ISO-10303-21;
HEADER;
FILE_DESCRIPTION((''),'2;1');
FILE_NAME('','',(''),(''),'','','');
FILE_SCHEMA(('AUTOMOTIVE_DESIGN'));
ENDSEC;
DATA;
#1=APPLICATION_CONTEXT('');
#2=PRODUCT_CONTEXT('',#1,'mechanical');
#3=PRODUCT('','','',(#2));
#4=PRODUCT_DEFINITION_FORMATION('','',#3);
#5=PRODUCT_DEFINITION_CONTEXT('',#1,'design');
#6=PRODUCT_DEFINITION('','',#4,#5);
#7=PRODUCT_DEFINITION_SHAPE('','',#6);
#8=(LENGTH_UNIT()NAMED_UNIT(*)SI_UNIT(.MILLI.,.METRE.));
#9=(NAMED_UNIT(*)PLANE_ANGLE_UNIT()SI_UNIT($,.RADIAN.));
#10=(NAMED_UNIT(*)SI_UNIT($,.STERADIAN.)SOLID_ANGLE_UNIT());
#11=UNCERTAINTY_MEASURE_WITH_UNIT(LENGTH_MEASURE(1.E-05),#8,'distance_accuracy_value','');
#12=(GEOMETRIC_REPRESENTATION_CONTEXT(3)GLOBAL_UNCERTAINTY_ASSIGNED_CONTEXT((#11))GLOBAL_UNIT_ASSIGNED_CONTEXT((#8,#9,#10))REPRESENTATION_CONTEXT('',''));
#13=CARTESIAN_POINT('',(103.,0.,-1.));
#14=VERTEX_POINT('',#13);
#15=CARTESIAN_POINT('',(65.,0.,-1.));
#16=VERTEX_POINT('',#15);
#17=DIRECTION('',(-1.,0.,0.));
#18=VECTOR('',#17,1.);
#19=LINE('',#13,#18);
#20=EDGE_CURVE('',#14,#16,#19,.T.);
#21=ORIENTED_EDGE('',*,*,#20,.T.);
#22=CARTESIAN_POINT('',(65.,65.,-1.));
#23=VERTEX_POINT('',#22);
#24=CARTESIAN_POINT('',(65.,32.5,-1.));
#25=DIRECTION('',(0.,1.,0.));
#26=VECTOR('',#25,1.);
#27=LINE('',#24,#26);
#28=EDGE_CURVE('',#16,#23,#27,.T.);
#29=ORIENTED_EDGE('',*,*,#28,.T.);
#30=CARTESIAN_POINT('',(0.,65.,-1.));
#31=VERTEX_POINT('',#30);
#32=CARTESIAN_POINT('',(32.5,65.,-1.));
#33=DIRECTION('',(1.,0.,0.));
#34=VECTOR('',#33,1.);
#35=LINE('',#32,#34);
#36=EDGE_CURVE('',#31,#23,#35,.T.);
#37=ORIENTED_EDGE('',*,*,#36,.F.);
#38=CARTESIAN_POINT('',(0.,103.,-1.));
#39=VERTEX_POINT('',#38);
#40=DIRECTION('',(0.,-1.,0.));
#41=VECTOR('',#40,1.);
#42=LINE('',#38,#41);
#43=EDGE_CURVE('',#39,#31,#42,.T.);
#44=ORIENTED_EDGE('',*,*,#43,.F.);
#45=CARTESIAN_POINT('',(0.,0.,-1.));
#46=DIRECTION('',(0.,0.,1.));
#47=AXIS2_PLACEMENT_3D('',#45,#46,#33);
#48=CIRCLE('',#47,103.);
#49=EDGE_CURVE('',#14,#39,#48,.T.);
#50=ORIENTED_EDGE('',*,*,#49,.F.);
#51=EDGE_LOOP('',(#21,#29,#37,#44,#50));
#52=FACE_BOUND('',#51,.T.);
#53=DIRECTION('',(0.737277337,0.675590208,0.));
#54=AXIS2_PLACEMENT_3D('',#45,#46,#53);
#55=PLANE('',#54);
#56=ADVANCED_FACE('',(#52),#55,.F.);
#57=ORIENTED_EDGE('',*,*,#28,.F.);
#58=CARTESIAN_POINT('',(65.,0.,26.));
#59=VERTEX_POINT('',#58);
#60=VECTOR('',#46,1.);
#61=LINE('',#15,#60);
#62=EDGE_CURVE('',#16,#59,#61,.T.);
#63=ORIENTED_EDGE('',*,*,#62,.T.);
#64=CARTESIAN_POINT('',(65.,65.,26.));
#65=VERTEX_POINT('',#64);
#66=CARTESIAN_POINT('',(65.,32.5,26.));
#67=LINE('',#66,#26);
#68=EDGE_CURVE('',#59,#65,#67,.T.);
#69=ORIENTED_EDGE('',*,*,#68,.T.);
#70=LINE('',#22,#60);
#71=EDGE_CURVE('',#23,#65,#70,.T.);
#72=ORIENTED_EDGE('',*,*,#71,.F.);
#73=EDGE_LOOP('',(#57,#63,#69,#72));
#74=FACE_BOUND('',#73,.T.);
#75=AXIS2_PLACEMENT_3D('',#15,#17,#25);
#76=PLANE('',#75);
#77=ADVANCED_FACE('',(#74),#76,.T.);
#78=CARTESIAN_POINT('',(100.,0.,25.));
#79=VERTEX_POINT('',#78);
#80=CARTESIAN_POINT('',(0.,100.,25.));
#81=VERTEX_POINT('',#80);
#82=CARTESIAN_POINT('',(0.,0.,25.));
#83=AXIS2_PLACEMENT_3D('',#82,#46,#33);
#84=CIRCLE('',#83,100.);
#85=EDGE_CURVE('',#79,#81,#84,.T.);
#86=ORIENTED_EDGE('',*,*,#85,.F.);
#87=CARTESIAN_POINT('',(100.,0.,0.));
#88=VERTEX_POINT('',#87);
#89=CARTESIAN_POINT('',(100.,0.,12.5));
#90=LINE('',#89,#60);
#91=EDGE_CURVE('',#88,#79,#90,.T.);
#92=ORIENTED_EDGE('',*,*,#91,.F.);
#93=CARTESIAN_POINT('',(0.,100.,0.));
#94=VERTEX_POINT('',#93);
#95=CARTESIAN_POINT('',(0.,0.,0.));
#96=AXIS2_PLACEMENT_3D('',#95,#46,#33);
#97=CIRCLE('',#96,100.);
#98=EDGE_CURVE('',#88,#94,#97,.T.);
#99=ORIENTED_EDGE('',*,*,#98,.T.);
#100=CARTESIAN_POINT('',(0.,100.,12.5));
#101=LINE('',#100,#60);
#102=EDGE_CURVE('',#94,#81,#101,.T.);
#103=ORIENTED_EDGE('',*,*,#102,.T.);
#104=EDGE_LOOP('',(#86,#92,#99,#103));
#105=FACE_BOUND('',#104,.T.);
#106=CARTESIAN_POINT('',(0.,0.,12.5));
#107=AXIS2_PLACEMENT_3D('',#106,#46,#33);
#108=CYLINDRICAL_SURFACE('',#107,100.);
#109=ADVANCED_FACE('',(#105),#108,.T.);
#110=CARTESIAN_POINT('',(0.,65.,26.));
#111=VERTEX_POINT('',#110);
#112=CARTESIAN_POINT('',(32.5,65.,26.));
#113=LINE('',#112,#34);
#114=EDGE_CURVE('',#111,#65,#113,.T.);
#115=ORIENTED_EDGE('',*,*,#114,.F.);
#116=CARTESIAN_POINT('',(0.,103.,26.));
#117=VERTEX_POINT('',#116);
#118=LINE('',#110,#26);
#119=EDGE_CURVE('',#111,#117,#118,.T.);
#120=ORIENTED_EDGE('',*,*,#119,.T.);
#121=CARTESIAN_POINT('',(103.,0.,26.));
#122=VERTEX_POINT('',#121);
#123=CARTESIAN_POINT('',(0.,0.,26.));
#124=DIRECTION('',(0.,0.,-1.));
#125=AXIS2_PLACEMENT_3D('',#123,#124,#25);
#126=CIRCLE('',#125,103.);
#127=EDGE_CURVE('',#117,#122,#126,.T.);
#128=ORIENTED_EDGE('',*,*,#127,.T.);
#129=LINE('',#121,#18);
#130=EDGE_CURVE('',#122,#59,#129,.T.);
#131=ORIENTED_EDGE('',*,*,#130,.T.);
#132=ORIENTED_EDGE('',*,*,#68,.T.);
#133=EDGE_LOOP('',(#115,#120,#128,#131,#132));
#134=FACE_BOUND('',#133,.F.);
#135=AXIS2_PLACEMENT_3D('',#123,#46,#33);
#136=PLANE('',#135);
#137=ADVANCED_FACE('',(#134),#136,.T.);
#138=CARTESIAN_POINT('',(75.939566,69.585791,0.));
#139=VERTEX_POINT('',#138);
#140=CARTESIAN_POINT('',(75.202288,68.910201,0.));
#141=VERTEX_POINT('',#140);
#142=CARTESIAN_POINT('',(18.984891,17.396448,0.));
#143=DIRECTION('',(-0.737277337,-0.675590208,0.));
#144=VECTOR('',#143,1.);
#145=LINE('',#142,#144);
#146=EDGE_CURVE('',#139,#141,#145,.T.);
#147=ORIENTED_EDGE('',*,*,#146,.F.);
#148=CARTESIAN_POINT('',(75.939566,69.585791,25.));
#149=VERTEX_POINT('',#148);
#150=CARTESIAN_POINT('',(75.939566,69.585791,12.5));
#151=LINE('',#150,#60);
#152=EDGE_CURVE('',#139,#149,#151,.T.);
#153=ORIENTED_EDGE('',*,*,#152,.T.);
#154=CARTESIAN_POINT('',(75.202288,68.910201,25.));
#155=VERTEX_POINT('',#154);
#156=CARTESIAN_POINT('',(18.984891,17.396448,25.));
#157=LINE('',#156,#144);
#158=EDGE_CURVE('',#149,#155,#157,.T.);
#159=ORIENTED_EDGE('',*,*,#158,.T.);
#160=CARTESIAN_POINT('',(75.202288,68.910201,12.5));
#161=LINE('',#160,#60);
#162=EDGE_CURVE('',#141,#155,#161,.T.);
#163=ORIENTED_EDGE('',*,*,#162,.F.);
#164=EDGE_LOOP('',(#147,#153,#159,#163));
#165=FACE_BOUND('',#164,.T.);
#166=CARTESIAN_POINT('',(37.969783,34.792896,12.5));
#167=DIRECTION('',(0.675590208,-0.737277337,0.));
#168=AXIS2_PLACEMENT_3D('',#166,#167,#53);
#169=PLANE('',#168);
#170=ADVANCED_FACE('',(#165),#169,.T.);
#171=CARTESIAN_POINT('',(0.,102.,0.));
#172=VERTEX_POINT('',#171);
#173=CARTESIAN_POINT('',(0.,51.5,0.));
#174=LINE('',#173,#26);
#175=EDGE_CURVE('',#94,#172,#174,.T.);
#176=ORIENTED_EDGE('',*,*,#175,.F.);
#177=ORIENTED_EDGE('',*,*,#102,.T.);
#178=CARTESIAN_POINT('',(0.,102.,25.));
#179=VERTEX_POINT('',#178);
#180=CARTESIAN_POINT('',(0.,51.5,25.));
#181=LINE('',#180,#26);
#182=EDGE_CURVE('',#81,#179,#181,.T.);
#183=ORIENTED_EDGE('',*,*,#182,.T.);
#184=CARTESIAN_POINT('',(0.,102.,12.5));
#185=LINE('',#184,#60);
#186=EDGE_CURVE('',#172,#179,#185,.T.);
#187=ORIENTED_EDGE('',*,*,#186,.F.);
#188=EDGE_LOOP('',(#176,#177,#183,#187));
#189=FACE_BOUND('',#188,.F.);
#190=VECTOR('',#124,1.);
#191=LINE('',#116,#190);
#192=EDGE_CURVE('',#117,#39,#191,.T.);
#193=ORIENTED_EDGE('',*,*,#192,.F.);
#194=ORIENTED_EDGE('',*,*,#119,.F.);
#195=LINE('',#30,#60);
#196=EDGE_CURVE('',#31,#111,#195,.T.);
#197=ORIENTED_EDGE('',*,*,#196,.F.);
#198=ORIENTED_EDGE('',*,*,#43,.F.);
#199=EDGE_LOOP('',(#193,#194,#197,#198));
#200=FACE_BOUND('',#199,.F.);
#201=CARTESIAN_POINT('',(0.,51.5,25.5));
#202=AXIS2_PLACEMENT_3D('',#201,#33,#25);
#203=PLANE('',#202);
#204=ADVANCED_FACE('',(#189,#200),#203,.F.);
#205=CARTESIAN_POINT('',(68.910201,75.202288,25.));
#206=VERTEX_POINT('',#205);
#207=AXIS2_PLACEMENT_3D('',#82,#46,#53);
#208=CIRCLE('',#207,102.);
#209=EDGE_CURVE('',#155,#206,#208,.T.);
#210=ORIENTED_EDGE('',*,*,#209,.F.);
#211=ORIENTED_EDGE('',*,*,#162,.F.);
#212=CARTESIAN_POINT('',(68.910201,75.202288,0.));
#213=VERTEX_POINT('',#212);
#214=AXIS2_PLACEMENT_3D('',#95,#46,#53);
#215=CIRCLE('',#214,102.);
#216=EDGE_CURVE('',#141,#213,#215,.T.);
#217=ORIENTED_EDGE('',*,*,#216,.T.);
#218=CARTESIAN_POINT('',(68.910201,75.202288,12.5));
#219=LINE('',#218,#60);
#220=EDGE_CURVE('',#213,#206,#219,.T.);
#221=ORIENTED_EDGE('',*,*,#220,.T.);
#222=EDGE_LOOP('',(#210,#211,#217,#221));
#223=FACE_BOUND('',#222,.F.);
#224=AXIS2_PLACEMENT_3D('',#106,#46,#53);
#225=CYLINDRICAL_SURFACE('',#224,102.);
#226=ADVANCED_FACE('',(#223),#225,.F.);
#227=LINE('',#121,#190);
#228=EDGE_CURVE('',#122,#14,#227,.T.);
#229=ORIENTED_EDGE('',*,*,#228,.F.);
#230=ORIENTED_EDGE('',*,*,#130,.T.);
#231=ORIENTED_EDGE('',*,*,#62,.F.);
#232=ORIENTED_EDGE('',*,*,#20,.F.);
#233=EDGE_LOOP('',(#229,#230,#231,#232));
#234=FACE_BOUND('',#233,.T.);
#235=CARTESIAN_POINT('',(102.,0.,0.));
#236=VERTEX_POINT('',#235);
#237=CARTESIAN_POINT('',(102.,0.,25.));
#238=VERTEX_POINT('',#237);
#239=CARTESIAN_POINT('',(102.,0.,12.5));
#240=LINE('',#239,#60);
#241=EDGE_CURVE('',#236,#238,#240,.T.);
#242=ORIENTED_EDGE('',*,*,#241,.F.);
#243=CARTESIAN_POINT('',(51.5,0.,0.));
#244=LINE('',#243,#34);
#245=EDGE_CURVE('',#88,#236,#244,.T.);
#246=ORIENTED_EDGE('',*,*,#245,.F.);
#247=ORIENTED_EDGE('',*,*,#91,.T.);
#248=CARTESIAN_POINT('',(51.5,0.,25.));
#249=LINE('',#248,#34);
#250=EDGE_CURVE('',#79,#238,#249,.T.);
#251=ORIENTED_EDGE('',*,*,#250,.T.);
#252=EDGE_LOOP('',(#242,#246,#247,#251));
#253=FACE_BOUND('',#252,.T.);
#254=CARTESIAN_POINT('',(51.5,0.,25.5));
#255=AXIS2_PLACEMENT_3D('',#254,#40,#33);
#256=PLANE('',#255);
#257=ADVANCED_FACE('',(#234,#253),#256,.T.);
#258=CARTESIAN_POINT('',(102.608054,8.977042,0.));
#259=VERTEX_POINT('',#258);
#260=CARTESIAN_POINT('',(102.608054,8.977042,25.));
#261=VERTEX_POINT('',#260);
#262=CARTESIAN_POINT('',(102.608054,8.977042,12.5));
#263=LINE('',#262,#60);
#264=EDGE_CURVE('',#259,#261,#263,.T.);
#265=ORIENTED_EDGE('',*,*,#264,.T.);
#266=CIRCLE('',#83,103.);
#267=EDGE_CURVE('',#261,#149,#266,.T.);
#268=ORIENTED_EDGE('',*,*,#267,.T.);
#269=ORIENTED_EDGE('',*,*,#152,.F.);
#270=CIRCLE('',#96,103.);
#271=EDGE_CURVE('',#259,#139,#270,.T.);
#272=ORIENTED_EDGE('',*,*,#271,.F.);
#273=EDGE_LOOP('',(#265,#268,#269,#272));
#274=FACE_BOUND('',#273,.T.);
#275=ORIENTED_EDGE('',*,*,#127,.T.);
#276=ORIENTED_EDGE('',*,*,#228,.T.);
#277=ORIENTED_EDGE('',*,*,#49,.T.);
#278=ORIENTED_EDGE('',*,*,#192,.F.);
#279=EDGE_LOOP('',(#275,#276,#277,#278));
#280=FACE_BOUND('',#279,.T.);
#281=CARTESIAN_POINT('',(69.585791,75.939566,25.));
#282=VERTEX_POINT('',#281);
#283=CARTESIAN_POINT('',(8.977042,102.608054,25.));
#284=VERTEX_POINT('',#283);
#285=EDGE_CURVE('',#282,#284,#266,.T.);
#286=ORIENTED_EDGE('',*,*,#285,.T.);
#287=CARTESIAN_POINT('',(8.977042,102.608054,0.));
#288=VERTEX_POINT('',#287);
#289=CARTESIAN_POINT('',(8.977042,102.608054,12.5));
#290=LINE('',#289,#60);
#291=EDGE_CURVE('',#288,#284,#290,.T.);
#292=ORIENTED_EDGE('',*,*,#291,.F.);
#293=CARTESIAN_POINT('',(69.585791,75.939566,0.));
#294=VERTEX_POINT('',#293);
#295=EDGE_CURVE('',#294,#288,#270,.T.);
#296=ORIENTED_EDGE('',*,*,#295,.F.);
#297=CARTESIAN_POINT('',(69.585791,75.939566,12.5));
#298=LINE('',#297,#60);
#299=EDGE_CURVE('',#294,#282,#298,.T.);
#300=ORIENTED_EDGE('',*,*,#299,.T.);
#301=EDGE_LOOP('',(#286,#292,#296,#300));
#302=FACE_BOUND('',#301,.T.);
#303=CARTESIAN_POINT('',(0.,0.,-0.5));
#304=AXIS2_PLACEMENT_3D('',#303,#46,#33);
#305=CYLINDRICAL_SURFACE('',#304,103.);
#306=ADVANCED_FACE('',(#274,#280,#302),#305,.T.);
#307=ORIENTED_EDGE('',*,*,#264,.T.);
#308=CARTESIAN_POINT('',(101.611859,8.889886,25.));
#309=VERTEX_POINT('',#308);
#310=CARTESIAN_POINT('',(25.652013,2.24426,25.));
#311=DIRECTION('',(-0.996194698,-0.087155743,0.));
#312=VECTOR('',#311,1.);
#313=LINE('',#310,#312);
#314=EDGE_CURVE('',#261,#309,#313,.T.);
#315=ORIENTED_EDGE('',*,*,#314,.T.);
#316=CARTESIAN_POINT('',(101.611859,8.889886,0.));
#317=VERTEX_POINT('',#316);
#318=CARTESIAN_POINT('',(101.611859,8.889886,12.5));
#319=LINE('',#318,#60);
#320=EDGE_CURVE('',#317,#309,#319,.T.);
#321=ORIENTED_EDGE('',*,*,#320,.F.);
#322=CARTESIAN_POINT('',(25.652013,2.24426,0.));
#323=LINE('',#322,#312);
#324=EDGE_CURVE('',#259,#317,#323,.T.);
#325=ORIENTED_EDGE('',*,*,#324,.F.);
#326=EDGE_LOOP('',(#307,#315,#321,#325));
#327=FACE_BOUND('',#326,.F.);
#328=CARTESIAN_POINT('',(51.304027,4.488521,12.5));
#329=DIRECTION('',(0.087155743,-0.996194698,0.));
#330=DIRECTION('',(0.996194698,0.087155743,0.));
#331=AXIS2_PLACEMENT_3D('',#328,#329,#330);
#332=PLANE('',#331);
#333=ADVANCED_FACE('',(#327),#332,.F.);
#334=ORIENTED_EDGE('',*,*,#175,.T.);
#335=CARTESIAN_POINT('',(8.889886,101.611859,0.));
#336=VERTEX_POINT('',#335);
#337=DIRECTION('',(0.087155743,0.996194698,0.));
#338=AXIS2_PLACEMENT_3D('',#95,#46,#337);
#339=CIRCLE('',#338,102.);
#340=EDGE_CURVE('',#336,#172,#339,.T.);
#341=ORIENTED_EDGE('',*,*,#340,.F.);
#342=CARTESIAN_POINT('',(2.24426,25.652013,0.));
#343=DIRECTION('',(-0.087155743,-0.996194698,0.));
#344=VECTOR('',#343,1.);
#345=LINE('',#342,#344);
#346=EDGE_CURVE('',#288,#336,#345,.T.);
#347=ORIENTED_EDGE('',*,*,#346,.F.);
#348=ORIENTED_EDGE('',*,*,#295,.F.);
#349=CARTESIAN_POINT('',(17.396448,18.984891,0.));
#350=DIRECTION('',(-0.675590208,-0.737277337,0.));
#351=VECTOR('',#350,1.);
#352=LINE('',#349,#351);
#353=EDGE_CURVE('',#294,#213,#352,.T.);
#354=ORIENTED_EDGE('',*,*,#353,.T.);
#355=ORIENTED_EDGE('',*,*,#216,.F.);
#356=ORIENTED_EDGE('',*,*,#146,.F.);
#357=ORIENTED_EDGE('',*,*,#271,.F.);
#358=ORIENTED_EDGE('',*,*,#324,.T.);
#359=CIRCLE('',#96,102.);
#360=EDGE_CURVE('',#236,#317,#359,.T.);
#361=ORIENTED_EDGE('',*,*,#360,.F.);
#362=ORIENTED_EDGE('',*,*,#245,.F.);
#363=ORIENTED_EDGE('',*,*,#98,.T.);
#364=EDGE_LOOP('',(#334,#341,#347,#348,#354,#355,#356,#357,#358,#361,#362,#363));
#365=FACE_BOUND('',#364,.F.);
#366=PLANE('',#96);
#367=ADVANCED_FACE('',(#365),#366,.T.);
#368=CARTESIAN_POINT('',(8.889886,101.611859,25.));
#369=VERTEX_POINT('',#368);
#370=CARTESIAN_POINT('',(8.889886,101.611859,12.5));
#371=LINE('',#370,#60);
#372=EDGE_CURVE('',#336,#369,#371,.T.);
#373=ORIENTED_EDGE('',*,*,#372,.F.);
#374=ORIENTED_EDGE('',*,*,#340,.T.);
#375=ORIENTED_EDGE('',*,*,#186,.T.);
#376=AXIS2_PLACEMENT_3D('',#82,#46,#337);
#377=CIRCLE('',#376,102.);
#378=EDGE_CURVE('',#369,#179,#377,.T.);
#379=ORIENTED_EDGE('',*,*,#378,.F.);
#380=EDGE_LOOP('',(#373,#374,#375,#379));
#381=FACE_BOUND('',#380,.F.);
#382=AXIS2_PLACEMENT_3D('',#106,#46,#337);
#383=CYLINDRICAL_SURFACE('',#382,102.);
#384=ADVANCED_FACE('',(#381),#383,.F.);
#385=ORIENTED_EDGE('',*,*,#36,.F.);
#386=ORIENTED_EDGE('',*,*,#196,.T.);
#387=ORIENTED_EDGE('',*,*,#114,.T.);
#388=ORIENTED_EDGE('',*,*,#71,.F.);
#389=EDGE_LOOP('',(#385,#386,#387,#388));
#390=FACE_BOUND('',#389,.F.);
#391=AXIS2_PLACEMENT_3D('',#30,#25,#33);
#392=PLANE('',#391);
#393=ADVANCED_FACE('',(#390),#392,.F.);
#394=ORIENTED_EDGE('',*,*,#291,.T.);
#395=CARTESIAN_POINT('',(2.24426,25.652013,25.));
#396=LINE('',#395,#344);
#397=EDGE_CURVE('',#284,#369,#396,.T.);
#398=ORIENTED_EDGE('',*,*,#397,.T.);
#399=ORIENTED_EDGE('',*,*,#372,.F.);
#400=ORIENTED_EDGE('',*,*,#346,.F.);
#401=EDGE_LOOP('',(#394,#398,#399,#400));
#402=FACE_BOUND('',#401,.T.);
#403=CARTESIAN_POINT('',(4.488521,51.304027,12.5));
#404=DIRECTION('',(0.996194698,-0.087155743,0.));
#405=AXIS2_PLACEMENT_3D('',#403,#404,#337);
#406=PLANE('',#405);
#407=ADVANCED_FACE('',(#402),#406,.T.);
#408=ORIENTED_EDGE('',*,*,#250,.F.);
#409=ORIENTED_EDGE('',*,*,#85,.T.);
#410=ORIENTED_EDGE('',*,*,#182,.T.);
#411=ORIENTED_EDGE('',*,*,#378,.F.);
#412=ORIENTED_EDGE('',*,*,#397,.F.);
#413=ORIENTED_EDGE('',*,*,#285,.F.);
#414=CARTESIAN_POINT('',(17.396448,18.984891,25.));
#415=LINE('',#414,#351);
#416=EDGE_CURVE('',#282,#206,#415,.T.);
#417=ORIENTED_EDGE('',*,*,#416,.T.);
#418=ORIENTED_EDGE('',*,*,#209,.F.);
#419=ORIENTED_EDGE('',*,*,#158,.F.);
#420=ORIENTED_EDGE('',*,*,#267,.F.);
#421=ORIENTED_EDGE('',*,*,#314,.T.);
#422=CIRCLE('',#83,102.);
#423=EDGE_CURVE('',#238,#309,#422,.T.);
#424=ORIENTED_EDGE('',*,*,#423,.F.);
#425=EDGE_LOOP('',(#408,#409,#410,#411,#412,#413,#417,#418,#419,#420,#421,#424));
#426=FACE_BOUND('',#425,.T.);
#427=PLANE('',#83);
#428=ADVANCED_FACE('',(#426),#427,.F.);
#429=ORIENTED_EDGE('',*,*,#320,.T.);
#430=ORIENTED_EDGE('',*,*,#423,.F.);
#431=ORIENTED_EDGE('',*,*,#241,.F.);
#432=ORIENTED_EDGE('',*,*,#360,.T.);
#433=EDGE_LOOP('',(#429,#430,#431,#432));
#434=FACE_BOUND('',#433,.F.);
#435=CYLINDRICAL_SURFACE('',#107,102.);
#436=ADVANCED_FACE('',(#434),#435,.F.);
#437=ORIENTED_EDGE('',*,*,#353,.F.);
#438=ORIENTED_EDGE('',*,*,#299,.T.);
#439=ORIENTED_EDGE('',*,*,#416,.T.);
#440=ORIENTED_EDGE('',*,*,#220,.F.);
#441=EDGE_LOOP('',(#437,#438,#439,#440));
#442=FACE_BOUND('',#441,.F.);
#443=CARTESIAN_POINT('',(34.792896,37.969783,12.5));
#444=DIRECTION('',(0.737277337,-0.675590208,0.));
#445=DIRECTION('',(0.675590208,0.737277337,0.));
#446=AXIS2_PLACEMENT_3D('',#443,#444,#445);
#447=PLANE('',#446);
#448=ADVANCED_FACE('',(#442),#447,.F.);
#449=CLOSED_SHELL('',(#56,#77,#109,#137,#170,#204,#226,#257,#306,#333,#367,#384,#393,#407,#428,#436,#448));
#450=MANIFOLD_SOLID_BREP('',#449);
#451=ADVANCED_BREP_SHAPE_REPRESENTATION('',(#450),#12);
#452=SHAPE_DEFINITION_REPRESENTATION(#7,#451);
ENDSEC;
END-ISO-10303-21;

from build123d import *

# Parameters (mm, degrees)
CYLINDER008_W          = 102
CYLINDER008_H          = 27
CYLINDER008_ANGLE      = 5
CYLINDER007_W          = 103
CYLINDER007_H          = 27
CYLINDER007_ANGLE      = 5
CUT003_PLACEMENT_ANGLE = 85
CYLINDER004_W          = 102
CYLINDER004_H          = 27
CYLINDER004_ANGLE      = 5
CYLINDER003_W          = 103
CYLINDER003_H          = 27
CYLINDER003_ANGLE      = 5
CYLINDER005_W          = 102
CYLINDER005_H          = 27
CYLINDER005_ANGLE      = 5
CYLINDER006_W          = 103
CYLINDER006_H          = 27
CYLINDER006_ANGLE      = 5
CUT002_PLACEMENT_ANGLE = 42.5
BOX_W                  = 65
BOX_H                  = 65
BOX_DEPTH              = 27
CYLINDER001_W          = 103
CYLINDER001_H          = 1
CYLINDER001_ANGLE      = 90
CYLINDER002_W          = 103
CYLINDER002_H          = 1
CYLINDER002_ANGLE      = 90
CYLINDER_W             = 100
CYLINDER_H             = 25
CYLINDER_ANGLE         = 90


with BuildPart() as zylinder008:
    # Cylinder008 → Cylinder008 (revolve)
    with BuildSketch(Plane(origin=(0, 0, -1), x_dir=(1, 0, 0), z_dir=(0, -1, 0))):
        with Locations((51, 13.5)):
            Rectangle(CYLINDER008_W, CYLINDER008_H)
    revolve(axis=Axis((0, 0, -1), (0, 0, 1)), revolution_arc=CYLINDER008_ANGLE)


with BuildPart() as cut003:
    # Cylinder007 → Cylinder007 (revolve)
    with BuildSketch(Plane(origin=(0, 0, -1), x_dir=(1, 0, 0), z_dir=(0, -1, 0))):
        with Locations((51.5, 13.5)):
            Rectangle(CYLINDER007_W, CYLINDER007_H)
    revolve(axis=Axis((0, 0, -1), (0, 0, 1)), revolution_arc=CYLINDER007_ANGLE)

    # Cut003: cut Zylinder008
    add(zylinder008.part, mode=Mode.SUBTRACT)


with BuildPart() as cut003_1:
    # Cut003 placement: moved
    add(cut003.part.rotate(Axis((0, 0, 0), (0, 0, 1)), CUT003_PLACEMENT_ANGLE))


with BuildPart() as zylinder004:
    # Cylinder004 → Cylinder004 (revolve)
    with BuildSketch(Plane(origin=(0, 0, -1), x_dir=(1, 0, 0), z_dir=(0, -1, 0))):
        with Locations((51, 13.5)):
            Rectangle(CYLINDER004_W, CYLINDER004_H)
    revolve(axis=Axis((0, 0, -1), (0, 0, 1)), revolution_arc=CYLINDER004_ANGLE)


with BuildPart() as cut001:
    # Cylinder003 → Cylinder003 (revolve)
    with BuildSketch(Plane(origin=(0, 0, -1), x_dir=(1, 0, 0), z_dir=(0, -1, 0))):
        with Locations((51.5, 13.5)):
            Rectangle(CYLINDER003_W, CYLINDER003_H)
    revolve(axis=Axis((0, 0, -1), (0, 0, 1)), revolution_arc=CYLINDER003_ANGLE)

    # Cut001: cut Zylinder004
    add(zylinder004.part, mode=Mode.SUBTRACT)


with BuildPart() as zylinder005:
    # Cylinder005 → Cylinder005 (revolve)
    with BuildSketch(Plane(origin=(0, 0, -1), x_dir=(1, 0, 0), z_dir=(0, -1, 0))):
        with Locations((51, 13.5)):
            Rectangle(CYLINDER005_W, CYLINDER005_H)
    revolve(axis=Axis((0, 0, -1), (0, 0, 1)), revolution_arc=CYLINDER005_ANGLE)


with BuildPart() as cut002:
    # Cylinder006 → Cylinder006 (revolve)
    with BuildSketch(Plane(origin=(0, 0, -1), x_dir=(1, 0, 0), z_dir=(0, -1, 0))):
        with Locations((51.5, 13.5)):
            Rectangle(CYLINDER006_W, CYLINDER006_H)
    revolve(axis=Axis((0, 0, -1), (0, 0, 1)), revolution_arc=CYLINDER006_ANGLE)

    # Cut002: cut Zylinder005
    add(zylinder005.part, mode=Mode.SUBTRACT)


with BuildPart() as cut002_1:
    # Cut002 placement: moved
    add(cut002.part.rotate(Axis((0, 0, 0), (0, 0, 1)), CUT002_PLACEMENT_ANGLE))


with BuildPart() as w_rfel:
    # Box → Box (new body)
    with BuildSketch(Plane.XY.offset(-1)):
        with Locations((32.5, 32.5)):
            Rectangle(BOX_W, BOX_H)
    extrude(amount=BOX_DEPTH)


with BuildPart() as zylinder001:
    # Cylinder001 → Cylinder001 (revolve)
    with BuildSketch(Plane(origin=(0, 0, -1), x_dir=(1, 0, 0), z_dir=(0, -1, 0))):
        with Locations((51.5, 0.5)):
            Rectangle(CYLINDER001_W, CYLINDER001_H)
    revolve(axis=Axis((0, 0, -1), (0, 0, 1)), revolution_arc=CYLINDER001_ANGLE)


with BuildPart() as zylinder002:
    # Cylinder002 → Cylinder002 (revolve)
    with BuildSketch(Plane(origin=(0, 0, 25), x_dir=(1, 0, 0), z_dir=(0, -1, 0))):
        with Locations((51.5, 0.5)):
            Rectangle(CYLINDER002_W, CYLINDER002_H)
    revolve(axis=Axis((0, 0, 25), (0, 0, 1)), revolution_arc=CYLINDER002_ANGLE)


with BuildPart() as fusion001:
    # Cylinder → Cylinder (revolve)
    with BuildSketch(Plane.XZ):
        with Locations((50, 12.5)):
            Rectangle(CYLINDER_W, CYLINDER_H)
    revolve(axis=Axis((0, 0, 0), (0, 0, 1)), revolution_arc=CYLINDER_ANGLE)

    # Fusion: union Zylinder001, Zylinder002
    add(zylinder001.part)
    add(zylinder002.part)

    # Cut: cut Würfel
    add(w_rfel.part, mode=Mode.SUBTRACT)

    # Fusion001: union Cut003, Cut001, Cut002
    add(cut003_1.part)
    add(cut001.part)
    add(cut002_1.part)


solid = fusion001.part
